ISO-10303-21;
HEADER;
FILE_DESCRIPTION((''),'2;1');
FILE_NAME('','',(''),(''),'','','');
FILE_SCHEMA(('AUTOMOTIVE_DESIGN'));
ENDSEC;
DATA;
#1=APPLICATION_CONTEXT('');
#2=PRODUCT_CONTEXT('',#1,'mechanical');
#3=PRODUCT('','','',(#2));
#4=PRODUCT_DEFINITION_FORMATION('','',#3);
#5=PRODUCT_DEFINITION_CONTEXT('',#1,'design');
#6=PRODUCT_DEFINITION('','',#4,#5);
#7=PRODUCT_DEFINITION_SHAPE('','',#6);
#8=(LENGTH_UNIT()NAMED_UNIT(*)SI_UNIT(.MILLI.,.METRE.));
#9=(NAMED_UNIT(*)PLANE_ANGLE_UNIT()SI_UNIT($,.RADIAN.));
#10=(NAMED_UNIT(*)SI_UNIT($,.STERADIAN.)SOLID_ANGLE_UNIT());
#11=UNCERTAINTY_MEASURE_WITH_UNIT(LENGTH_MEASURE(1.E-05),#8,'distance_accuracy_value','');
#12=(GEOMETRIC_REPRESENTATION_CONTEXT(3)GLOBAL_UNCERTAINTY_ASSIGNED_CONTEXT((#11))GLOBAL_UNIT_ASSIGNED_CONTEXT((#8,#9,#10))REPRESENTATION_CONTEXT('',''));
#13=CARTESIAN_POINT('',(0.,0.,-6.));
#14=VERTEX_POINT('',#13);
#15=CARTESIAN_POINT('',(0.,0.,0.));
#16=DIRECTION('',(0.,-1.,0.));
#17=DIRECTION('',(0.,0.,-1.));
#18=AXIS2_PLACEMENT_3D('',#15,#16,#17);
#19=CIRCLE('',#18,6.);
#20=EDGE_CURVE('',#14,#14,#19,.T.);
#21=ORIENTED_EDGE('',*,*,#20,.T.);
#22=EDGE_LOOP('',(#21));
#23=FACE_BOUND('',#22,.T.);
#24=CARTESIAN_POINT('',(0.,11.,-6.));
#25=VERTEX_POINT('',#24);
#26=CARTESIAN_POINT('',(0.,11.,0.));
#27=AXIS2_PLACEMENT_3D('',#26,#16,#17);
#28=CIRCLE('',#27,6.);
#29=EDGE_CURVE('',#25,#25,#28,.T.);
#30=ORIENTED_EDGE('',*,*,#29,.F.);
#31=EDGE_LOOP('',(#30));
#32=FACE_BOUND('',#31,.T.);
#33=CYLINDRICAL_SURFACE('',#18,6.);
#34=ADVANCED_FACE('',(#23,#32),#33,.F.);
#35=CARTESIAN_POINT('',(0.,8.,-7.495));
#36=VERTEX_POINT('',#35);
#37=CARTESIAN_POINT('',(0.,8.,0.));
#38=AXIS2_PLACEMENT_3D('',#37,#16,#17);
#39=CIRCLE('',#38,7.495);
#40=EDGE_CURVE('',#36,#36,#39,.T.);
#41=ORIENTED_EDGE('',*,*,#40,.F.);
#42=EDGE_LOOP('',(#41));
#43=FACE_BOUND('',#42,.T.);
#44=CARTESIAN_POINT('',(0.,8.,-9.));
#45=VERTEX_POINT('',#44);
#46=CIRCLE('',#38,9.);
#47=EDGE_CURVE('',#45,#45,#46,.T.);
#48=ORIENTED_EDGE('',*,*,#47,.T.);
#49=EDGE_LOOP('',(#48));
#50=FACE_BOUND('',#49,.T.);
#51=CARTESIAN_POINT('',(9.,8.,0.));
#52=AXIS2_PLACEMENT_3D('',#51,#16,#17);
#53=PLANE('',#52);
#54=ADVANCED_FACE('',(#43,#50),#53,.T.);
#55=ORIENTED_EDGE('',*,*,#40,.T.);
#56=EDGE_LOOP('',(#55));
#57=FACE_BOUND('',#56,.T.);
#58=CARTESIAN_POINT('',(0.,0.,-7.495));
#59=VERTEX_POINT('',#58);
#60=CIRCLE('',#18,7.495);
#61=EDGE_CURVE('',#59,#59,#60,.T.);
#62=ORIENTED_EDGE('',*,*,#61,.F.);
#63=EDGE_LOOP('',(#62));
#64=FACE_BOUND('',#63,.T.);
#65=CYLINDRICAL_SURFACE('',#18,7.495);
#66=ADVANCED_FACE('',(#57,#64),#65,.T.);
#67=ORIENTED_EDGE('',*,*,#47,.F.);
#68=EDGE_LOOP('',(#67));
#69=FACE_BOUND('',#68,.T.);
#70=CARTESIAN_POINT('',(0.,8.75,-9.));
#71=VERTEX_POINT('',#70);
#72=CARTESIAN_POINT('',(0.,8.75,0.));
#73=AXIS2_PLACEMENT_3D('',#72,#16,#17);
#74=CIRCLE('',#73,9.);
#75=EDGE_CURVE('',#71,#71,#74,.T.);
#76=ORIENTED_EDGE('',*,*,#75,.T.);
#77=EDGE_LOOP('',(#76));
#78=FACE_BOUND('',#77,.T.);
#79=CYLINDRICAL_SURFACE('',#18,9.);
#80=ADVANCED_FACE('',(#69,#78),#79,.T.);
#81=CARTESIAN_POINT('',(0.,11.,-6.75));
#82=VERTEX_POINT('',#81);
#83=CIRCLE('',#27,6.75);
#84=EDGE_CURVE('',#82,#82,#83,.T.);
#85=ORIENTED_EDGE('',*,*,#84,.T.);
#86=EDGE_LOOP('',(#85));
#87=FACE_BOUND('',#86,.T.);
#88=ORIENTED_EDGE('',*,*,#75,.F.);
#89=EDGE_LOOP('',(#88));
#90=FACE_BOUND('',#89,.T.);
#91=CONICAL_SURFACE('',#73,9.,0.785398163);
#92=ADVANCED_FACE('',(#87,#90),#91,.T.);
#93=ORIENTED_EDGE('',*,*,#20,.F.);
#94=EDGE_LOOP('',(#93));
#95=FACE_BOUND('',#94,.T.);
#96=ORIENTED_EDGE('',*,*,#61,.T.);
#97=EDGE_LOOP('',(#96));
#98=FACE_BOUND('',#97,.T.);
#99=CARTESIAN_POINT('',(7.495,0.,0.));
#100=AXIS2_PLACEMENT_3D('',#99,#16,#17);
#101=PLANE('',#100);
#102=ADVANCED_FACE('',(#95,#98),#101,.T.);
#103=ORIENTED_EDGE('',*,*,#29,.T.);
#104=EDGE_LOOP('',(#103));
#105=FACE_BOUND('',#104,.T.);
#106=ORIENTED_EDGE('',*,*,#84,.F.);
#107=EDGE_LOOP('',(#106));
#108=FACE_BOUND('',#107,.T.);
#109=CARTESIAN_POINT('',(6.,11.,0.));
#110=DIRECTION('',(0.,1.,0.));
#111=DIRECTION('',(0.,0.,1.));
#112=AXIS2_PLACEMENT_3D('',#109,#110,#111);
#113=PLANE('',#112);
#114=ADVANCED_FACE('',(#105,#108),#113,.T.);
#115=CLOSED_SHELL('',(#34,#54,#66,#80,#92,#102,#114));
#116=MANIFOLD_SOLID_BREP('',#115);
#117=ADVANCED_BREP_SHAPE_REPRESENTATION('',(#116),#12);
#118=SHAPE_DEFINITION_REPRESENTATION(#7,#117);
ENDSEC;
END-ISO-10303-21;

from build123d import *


with BuildPart() as part:
    # Sketch1 → Revolve1 (revolve)
    with BuildSketch(Plane.XY):
        Polygon((6, 0), (6, 11), (6.75, 11), (9, 8.75), (9, 8), (7.495, 8), (7.495, 0), align=None)
    revolve(axis=Axis((0, 0, 0), (0, 1, 0)))


solid = part.part
